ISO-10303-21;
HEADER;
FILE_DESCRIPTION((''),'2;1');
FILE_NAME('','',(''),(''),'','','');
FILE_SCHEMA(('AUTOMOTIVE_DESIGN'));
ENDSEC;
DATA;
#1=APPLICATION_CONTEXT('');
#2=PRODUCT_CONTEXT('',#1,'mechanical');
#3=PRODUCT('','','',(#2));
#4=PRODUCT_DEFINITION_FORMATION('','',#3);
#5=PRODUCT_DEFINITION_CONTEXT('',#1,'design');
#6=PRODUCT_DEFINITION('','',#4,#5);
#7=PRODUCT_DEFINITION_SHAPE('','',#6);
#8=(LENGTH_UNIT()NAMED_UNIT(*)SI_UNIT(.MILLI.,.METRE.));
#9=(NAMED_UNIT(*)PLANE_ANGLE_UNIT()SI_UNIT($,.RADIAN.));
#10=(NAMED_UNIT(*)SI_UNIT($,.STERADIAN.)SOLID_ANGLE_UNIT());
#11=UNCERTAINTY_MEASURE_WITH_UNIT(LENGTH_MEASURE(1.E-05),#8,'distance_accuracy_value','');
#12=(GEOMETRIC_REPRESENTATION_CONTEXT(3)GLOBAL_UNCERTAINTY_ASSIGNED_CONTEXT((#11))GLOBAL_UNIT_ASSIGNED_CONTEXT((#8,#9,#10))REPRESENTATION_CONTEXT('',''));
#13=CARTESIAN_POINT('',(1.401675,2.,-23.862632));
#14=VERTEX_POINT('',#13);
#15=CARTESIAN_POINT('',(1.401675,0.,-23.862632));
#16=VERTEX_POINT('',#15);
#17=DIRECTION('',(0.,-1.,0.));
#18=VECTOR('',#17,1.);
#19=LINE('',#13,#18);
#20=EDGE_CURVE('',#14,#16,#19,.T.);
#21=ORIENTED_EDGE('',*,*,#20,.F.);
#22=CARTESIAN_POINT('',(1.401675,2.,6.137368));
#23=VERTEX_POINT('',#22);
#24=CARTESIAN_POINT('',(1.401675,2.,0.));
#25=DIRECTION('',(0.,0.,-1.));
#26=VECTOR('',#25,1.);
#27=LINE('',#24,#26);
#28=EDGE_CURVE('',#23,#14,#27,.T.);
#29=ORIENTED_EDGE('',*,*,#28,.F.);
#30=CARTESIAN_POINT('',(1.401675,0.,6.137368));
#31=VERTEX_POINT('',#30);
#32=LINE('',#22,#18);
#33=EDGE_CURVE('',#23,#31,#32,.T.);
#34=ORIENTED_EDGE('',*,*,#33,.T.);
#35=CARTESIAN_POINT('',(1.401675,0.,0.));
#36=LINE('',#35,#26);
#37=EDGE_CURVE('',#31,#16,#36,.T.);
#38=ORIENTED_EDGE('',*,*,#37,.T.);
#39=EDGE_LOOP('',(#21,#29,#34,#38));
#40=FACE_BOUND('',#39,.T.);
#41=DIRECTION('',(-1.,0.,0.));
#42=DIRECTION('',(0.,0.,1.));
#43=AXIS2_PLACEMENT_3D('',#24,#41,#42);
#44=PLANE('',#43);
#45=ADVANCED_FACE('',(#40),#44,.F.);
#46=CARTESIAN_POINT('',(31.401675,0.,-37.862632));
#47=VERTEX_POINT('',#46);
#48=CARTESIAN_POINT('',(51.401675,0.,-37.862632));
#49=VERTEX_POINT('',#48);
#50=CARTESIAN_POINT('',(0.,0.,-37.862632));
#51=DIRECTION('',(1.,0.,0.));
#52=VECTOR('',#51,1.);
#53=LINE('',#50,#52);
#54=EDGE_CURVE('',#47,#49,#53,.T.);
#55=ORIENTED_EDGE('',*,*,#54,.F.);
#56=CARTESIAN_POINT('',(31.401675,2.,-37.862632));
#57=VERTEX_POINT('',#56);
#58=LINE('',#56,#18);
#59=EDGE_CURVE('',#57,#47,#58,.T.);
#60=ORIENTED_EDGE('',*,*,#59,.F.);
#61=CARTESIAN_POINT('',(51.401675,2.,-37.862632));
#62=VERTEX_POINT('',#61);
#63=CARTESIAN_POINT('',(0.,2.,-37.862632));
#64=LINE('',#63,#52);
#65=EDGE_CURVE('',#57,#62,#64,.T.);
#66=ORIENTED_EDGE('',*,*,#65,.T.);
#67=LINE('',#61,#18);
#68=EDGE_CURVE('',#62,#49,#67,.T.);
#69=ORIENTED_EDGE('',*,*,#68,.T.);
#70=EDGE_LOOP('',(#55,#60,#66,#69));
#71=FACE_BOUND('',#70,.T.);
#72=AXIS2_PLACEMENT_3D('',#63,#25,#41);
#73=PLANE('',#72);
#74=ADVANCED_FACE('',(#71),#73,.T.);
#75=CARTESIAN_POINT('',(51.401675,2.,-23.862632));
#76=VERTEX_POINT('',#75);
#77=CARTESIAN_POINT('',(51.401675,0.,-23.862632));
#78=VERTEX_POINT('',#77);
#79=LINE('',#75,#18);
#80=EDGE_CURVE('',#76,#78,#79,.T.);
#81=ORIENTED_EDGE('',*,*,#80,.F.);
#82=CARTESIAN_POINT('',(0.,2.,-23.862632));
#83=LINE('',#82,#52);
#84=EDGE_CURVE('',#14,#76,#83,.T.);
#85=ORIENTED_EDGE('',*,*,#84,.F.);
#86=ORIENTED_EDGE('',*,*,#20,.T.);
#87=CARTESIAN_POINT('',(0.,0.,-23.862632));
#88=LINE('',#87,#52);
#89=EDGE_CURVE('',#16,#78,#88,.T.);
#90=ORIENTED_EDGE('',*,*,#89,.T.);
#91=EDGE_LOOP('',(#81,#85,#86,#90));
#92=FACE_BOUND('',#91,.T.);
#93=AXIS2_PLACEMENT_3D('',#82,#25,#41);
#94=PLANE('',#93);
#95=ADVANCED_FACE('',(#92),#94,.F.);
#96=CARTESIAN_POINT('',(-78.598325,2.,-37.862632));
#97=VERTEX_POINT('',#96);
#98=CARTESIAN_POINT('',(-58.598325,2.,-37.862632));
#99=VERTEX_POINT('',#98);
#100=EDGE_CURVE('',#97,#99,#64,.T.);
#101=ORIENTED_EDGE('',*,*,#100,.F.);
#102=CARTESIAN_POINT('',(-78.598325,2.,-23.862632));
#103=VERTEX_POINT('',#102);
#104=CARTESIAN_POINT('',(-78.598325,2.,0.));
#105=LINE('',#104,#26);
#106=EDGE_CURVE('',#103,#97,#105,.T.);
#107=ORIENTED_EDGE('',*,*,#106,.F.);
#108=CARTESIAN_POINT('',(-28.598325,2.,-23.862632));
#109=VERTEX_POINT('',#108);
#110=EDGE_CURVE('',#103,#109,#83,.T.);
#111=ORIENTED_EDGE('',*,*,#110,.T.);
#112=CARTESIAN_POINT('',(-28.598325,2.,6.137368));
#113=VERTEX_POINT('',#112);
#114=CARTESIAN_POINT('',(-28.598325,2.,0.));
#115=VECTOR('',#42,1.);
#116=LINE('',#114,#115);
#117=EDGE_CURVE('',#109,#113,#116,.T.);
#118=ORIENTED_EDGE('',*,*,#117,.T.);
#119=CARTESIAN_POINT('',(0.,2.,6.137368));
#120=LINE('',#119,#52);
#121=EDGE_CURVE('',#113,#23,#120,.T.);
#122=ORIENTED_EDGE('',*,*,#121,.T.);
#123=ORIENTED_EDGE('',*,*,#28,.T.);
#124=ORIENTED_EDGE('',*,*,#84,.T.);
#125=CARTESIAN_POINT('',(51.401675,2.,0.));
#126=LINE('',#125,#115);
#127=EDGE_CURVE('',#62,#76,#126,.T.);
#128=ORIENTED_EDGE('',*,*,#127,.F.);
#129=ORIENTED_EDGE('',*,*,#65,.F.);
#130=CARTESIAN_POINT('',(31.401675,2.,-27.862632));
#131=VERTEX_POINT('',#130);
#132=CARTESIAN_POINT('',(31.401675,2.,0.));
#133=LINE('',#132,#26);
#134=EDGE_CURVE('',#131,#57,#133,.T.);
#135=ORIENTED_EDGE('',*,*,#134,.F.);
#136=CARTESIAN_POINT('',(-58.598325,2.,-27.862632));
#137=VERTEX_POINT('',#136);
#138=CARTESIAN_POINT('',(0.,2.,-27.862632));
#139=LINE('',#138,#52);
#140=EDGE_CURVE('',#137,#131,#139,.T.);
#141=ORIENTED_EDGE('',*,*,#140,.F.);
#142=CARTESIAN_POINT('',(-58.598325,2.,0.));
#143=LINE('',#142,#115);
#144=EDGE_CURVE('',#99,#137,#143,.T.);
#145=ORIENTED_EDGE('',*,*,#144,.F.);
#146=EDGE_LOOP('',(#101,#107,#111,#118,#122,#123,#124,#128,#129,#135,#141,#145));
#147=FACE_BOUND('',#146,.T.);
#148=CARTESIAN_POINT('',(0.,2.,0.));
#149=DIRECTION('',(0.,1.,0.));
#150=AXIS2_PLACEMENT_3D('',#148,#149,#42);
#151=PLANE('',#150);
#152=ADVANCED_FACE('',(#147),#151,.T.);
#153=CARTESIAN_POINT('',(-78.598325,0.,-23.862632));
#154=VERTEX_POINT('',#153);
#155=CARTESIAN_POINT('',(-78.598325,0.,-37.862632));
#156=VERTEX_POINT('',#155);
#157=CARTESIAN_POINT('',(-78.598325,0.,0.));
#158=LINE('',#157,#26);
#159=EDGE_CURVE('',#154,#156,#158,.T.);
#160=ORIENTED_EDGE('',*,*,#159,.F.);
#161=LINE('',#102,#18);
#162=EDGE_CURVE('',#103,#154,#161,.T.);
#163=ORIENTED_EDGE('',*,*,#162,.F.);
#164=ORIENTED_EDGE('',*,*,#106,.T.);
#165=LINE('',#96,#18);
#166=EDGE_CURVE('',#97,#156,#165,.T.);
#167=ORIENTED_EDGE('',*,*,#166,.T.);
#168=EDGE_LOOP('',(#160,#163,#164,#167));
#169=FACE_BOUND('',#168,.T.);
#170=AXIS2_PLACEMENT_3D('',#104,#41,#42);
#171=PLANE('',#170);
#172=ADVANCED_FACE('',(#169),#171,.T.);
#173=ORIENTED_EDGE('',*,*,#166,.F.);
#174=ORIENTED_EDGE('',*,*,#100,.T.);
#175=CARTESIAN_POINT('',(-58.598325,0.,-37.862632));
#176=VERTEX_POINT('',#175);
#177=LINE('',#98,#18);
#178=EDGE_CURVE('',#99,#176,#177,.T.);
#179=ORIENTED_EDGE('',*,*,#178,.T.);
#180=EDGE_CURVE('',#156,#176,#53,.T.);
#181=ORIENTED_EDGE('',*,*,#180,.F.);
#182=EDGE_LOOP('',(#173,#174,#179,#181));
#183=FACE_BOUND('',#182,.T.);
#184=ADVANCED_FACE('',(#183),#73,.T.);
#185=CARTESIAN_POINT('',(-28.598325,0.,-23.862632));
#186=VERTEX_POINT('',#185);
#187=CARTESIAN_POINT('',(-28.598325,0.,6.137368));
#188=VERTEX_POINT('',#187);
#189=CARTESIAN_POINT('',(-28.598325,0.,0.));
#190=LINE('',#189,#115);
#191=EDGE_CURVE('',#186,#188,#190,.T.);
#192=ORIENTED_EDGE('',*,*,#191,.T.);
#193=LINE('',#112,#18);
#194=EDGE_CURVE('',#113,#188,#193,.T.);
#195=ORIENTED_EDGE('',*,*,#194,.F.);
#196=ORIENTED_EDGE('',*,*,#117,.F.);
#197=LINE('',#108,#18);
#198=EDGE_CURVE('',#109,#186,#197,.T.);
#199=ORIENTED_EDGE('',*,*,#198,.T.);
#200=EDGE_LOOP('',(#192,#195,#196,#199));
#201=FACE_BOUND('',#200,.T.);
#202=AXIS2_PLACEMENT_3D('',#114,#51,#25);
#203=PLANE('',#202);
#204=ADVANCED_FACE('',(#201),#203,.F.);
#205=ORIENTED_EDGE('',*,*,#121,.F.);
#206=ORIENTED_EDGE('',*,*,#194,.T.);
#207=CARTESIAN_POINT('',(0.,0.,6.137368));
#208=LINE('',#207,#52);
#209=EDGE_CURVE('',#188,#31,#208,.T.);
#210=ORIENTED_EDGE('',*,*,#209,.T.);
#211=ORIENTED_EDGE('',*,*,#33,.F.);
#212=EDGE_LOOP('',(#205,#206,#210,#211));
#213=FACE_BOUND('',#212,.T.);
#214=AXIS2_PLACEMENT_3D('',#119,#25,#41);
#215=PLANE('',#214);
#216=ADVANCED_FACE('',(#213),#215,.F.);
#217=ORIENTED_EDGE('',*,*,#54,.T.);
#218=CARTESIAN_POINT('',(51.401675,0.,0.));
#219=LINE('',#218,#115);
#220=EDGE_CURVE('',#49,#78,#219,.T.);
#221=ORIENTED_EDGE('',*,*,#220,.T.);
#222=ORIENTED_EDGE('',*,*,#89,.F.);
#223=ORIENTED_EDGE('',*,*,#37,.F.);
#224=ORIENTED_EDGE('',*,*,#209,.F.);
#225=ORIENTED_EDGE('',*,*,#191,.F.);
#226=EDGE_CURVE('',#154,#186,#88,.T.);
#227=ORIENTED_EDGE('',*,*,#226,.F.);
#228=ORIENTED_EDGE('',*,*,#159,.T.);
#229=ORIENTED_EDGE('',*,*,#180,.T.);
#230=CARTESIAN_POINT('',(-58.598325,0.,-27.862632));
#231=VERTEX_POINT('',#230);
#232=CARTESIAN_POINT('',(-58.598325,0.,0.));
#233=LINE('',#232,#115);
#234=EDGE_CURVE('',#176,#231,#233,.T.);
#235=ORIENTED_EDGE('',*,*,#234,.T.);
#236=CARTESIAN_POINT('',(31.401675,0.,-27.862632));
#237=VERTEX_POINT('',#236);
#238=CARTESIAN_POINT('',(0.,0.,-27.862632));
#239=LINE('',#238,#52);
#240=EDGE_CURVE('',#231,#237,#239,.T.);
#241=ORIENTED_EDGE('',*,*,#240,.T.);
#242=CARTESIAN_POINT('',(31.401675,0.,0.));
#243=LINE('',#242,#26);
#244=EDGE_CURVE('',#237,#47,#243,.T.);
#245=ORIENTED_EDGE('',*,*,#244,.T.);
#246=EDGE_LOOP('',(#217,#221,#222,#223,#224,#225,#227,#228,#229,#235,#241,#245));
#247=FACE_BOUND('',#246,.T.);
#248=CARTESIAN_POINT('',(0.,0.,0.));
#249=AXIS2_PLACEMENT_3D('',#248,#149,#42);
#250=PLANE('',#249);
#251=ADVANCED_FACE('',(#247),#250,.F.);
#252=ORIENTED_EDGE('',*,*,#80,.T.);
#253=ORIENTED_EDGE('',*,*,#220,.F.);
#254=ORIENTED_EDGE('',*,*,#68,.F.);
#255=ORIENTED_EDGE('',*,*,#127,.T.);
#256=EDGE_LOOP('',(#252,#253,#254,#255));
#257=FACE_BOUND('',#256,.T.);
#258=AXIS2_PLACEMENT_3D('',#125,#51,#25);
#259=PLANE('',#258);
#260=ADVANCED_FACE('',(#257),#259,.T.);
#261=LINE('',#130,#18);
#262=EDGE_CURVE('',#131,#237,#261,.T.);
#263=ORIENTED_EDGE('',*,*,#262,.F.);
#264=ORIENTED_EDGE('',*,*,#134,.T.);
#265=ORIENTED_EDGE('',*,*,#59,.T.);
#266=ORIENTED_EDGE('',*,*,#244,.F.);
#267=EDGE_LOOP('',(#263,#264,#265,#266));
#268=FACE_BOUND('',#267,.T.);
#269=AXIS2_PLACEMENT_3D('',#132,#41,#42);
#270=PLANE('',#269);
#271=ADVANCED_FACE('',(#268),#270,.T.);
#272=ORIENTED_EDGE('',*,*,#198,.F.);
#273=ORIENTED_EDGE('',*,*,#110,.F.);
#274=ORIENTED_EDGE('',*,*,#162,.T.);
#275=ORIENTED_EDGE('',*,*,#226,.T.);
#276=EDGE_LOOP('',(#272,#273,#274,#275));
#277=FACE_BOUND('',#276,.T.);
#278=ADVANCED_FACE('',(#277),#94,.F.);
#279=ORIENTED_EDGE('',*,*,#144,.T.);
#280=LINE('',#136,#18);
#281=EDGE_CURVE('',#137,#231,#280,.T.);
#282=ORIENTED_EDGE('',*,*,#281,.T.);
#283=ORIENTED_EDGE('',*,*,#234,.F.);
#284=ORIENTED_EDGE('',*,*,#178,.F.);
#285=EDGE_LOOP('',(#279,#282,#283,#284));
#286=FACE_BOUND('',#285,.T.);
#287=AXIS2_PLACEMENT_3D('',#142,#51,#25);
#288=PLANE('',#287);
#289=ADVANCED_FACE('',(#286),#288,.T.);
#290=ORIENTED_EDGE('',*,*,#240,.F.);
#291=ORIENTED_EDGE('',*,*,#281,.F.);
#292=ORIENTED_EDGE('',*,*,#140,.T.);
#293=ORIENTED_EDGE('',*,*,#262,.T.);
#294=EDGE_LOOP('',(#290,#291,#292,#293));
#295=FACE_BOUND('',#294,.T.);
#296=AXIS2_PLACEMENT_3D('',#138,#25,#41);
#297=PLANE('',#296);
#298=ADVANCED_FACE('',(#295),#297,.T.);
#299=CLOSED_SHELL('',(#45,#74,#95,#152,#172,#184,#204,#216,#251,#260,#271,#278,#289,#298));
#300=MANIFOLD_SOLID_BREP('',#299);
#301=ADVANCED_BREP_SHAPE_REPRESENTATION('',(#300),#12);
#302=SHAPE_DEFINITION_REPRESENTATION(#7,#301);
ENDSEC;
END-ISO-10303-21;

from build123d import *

# Parameters (mm, degrees)
SKETCH1_W           = 30
SKETCH1_H           = 30
BOSS_EXTRUDE1_DEPTH = 2


with BuildPart() as part:
    # Sketch1 → Boss-Extrude1 (new body)
    with BuildSketch(Plane(origin=(0, 0, 0), x_dir=(1, 0, 0), z_dir=(0, 1, 0))):
        Polygon((-78.598325024, 37.862631579), (-78.598325024, 23.862631579), (-28.598325024, 23.862631579), (1.401674976, 23.862631579), (51.401674976, 23.862631579), (51.401674976, 37.862631579), (31.401674976, 37.862631579), (31.401674976, 27.862631579), (-58.598325024, 27.862631579), (-58.598325024, 37.862631579), align=None)
        with Locations((-13.598325024, 8.862631579)):
            Rectangle(SKETCH1_W, SKETCH1_H)
    extrude(amount=BOSS_EXTRUDE1_DEPTH)


solid = part.part
